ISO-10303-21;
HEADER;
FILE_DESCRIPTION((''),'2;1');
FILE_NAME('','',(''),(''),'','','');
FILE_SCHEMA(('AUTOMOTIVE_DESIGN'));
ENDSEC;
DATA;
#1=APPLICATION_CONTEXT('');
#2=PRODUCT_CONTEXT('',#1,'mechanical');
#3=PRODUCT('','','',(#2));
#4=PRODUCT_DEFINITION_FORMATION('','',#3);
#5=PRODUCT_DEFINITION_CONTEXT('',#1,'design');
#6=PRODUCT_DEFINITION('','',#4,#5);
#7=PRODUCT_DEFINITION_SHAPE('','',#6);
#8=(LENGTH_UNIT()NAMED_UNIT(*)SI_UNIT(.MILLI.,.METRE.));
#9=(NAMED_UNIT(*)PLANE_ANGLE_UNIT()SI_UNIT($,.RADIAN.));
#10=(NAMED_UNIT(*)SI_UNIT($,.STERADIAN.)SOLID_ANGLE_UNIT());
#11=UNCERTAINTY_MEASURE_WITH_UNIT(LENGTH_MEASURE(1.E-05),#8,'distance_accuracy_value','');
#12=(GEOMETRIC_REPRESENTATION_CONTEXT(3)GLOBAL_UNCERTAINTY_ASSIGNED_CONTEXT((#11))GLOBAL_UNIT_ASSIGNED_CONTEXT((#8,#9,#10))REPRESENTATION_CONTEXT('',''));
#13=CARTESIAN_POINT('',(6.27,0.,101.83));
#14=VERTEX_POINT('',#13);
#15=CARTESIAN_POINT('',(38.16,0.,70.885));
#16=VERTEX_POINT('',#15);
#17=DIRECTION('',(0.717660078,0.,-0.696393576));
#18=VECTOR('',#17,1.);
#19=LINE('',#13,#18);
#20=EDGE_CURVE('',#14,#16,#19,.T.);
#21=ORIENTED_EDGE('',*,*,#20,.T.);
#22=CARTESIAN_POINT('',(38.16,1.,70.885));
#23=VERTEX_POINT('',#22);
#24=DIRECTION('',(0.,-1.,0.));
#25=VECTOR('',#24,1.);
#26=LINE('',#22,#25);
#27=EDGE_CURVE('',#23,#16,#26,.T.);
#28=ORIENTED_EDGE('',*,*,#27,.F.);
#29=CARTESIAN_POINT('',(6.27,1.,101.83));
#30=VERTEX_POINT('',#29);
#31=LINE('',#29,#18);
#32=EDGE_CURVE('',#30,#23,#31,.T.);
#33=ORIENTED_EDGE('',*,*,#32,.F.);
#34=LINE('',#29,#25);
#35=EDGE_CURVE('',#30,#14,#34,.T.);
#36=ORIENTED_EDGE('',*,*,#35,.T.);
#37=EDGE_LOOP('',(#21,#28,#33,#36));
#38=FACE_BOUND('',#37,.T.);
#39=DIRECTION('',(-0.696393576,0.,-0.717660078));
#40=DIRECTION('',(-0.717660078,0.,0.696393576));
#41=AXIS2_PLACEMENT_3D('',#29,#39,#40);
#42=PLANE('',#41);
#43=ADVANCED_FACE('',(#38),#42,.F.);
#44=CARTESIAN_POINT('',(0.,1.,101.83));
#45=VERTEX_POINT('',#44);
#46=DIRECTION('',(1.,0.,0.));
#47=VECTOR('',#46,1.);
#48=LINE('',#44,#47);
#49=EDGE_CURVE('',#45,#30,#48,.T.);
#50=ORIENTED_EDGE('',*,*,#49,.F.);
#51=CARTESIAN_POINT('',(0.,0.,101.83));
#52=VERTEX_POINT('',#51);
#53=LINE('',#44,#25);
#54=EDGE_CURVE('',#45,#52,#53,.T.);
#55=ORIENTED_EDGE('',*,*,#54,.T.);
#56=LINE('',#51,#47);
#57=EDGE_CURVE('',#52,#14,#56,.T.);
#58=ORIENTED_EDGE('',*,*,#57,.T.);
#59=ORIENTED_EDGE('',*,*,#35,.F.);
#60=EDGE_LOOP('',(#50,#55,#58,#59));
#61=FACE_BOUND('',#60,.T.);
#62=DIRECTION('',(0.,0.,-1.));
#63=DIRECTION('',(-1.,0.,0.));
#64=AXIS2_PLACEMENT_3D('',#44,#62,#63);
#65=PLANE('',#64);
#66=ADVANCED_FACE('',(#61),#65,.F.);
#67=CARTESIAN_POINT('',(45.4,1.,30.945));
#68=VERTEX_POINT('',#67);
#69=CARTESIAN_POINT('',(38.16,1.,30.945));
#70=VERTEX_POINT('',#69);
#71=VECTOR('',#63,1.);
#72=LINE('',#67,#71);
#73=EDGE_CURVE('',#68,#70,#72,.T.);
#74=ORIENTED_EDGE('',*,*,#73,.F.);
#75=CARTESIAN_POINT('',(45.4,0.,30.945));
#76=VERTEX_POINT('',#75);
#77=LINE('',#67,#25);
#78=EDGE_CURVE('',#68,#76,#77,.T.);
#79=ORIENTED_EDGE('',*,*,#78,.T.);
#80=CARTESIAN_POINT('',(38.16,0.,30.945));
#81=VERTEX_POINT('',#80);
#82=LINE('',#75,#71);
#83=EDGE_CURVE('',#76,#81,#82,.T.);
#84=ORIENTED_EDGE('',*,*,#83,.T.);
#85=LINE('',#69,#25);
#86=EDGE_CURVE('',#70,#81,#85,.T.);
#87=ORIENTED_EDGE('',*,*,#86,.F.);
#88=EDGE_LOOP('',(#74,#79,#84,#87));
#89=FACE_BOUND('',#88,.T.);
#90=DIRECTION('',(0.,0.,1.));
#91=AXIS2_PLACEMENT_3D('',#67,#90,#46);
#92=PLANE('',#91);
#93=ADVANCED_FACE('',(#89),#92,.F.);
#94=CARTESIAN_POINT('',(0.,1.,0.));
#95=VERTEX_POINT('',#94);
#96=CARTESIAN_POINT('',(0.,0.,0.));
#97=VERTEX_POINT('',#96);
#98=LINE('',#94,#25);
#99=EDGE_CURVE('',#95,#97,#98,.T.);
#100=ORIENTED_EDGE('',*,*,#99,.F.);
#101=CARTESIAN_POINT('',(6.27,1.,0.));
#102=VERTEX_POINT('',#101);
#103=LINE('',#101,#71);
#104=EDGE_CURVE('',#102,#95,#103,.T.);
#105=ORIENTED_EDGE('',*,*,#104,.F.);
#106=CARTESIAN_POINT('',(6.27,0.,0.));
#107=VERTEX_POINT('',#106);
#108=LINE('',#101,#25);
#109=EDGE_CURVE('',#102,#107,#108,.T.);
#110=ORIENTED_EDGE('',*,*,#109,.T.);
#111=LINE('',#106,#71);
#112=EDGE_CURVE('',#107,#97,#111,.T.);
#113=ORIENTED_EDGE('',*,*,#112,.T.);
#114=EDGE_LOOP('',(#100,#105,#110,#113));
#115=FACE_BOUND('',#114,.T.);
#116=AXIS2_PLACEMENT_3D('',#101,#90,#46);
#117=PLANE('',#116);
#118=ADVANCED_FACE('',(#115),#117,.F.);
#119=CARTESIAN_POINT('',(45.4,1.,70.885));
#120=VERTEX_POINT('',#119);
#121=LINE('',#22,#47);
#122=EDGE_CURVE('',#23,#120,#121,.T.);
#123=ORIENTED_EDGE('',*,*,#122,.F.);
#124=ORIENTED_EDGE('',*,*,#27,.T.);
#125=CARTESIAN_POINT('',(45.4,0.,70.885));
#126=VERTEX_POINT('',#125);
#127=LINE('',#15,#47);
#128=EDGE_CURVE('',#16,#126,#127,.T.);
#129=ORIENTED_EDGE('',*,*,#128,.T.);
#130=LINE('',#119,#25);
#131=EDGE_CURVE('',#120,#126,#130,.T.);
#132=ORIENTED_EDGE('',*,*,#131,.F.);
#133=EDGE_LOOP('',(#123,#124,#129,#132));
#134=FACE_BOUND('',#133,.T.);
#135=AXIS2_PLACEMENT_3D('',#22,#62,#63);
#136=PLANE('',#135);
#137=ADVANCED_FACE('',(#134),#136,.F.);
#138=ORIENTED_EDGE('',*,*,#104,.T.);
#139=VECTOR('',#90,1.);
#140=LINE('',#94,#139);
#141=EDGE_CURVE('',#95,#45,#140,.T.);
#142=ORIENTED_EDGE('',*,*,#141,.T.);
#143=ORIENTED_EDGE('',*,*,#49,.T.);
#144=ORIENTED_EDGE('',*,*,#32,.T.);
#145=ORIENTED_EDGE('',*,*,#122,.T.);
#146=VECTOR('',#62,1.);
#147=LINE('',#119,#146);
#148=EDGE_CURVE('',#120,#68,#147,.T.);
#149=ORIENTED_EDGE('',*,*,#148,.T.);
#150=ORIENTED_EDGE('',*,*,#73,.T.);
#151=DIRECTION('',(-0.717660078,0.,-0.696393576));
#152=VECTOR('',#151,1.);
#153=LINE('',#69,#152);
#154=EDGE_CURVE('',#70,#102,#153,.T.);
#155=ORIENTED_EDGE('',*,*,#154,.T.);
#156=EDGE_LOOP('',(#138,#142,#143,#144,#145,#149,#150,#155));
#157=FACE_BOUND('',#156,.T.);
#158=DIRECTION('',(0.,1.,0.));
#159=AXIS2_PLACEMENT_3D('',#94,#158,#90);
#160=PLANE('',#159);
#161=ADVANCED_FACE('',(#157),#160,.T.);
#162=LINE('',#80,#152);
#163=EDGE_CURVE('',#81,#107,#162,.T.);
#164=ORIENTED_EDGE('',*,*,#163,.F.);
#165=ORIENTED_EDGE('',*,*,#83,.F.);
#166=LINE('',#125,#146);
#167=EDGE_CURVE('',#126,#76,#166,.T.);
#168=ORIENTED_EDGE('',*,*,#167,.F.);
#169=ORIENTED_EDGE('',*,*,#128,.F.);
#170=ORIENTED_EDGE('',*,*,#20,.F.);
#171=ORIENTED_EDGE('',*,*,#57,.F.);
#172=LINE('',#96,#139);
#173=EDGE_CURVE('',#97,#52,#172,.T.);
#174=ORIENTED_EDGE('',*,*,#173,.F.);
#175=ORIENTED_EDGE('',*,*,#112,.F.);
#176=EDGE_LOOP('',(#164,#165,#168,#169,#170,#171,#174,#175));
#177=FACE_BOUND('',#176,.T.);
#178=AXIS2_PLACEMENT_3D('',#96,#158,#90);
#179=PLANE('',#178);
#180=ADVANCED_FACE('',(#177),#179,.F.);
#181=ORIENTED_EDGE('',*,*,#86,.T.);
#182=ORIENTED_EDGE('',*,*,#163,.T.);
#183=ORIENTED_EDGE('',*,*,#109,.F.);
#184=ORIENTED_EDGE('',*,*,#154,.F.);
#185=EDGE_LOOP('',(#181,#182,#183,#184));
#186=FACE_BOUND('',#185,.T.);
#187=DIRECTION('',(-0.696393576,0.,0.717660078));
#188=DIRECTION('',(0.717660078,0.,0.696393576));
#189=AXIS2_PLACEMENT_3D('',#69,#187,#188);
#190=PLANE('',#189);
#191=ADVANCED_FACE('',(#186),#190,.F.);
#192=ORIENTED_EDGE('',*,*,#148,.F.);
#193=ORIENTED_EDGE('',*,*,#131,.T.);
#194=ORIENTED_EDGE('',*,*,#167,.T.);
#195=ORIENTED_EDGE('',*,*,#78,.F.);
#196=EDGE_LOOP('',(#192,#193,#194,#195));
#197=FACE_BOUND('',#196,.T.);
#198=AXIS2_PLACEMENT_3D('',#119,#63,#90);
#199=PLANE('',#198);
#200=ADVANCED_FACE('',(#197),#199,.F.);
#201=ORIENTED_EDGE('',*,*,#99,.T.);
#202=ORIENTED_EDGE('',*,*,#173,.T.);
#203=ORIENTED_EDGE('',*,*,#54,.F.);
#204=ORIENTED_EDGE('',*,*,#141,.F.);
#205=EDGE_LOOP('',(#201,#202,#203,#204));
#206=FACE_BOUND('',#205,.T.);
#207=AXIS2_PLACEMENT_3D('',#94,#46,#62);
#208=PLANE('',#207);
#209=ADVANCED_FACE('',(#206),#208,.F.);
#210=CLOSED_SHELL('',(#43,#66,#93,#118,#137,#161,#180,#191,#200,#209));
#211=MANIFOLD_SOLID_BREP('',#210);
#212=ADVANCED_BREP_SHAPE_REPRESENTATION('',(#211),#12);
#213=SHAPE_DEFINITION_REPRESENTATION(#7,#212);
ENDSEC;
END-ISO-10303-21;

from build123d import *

# Parameters (mm, degrees)
SALIENTE_EXTRUIR1_DEPTH = 1


with BuildPart() as part:
    # Croquis1 → Saliente-Extruir1 (new body)
    with BuildSketch(Plane(origin=(0, 0, 0), x_dir=(1, 0, 0), z_dir=(0, 1, 0))):
        Polygon((0, 0), (0, -101.83), (6.27, -101.83), (38.16, -70.885), (45.4, -70.885), (45.4, -30.945), (38.16, -30.945), (6.27, 0), align=None)
    extrude(amount=SALIENTE_EXTRUIR1_DEPTH)


solid = part.part
